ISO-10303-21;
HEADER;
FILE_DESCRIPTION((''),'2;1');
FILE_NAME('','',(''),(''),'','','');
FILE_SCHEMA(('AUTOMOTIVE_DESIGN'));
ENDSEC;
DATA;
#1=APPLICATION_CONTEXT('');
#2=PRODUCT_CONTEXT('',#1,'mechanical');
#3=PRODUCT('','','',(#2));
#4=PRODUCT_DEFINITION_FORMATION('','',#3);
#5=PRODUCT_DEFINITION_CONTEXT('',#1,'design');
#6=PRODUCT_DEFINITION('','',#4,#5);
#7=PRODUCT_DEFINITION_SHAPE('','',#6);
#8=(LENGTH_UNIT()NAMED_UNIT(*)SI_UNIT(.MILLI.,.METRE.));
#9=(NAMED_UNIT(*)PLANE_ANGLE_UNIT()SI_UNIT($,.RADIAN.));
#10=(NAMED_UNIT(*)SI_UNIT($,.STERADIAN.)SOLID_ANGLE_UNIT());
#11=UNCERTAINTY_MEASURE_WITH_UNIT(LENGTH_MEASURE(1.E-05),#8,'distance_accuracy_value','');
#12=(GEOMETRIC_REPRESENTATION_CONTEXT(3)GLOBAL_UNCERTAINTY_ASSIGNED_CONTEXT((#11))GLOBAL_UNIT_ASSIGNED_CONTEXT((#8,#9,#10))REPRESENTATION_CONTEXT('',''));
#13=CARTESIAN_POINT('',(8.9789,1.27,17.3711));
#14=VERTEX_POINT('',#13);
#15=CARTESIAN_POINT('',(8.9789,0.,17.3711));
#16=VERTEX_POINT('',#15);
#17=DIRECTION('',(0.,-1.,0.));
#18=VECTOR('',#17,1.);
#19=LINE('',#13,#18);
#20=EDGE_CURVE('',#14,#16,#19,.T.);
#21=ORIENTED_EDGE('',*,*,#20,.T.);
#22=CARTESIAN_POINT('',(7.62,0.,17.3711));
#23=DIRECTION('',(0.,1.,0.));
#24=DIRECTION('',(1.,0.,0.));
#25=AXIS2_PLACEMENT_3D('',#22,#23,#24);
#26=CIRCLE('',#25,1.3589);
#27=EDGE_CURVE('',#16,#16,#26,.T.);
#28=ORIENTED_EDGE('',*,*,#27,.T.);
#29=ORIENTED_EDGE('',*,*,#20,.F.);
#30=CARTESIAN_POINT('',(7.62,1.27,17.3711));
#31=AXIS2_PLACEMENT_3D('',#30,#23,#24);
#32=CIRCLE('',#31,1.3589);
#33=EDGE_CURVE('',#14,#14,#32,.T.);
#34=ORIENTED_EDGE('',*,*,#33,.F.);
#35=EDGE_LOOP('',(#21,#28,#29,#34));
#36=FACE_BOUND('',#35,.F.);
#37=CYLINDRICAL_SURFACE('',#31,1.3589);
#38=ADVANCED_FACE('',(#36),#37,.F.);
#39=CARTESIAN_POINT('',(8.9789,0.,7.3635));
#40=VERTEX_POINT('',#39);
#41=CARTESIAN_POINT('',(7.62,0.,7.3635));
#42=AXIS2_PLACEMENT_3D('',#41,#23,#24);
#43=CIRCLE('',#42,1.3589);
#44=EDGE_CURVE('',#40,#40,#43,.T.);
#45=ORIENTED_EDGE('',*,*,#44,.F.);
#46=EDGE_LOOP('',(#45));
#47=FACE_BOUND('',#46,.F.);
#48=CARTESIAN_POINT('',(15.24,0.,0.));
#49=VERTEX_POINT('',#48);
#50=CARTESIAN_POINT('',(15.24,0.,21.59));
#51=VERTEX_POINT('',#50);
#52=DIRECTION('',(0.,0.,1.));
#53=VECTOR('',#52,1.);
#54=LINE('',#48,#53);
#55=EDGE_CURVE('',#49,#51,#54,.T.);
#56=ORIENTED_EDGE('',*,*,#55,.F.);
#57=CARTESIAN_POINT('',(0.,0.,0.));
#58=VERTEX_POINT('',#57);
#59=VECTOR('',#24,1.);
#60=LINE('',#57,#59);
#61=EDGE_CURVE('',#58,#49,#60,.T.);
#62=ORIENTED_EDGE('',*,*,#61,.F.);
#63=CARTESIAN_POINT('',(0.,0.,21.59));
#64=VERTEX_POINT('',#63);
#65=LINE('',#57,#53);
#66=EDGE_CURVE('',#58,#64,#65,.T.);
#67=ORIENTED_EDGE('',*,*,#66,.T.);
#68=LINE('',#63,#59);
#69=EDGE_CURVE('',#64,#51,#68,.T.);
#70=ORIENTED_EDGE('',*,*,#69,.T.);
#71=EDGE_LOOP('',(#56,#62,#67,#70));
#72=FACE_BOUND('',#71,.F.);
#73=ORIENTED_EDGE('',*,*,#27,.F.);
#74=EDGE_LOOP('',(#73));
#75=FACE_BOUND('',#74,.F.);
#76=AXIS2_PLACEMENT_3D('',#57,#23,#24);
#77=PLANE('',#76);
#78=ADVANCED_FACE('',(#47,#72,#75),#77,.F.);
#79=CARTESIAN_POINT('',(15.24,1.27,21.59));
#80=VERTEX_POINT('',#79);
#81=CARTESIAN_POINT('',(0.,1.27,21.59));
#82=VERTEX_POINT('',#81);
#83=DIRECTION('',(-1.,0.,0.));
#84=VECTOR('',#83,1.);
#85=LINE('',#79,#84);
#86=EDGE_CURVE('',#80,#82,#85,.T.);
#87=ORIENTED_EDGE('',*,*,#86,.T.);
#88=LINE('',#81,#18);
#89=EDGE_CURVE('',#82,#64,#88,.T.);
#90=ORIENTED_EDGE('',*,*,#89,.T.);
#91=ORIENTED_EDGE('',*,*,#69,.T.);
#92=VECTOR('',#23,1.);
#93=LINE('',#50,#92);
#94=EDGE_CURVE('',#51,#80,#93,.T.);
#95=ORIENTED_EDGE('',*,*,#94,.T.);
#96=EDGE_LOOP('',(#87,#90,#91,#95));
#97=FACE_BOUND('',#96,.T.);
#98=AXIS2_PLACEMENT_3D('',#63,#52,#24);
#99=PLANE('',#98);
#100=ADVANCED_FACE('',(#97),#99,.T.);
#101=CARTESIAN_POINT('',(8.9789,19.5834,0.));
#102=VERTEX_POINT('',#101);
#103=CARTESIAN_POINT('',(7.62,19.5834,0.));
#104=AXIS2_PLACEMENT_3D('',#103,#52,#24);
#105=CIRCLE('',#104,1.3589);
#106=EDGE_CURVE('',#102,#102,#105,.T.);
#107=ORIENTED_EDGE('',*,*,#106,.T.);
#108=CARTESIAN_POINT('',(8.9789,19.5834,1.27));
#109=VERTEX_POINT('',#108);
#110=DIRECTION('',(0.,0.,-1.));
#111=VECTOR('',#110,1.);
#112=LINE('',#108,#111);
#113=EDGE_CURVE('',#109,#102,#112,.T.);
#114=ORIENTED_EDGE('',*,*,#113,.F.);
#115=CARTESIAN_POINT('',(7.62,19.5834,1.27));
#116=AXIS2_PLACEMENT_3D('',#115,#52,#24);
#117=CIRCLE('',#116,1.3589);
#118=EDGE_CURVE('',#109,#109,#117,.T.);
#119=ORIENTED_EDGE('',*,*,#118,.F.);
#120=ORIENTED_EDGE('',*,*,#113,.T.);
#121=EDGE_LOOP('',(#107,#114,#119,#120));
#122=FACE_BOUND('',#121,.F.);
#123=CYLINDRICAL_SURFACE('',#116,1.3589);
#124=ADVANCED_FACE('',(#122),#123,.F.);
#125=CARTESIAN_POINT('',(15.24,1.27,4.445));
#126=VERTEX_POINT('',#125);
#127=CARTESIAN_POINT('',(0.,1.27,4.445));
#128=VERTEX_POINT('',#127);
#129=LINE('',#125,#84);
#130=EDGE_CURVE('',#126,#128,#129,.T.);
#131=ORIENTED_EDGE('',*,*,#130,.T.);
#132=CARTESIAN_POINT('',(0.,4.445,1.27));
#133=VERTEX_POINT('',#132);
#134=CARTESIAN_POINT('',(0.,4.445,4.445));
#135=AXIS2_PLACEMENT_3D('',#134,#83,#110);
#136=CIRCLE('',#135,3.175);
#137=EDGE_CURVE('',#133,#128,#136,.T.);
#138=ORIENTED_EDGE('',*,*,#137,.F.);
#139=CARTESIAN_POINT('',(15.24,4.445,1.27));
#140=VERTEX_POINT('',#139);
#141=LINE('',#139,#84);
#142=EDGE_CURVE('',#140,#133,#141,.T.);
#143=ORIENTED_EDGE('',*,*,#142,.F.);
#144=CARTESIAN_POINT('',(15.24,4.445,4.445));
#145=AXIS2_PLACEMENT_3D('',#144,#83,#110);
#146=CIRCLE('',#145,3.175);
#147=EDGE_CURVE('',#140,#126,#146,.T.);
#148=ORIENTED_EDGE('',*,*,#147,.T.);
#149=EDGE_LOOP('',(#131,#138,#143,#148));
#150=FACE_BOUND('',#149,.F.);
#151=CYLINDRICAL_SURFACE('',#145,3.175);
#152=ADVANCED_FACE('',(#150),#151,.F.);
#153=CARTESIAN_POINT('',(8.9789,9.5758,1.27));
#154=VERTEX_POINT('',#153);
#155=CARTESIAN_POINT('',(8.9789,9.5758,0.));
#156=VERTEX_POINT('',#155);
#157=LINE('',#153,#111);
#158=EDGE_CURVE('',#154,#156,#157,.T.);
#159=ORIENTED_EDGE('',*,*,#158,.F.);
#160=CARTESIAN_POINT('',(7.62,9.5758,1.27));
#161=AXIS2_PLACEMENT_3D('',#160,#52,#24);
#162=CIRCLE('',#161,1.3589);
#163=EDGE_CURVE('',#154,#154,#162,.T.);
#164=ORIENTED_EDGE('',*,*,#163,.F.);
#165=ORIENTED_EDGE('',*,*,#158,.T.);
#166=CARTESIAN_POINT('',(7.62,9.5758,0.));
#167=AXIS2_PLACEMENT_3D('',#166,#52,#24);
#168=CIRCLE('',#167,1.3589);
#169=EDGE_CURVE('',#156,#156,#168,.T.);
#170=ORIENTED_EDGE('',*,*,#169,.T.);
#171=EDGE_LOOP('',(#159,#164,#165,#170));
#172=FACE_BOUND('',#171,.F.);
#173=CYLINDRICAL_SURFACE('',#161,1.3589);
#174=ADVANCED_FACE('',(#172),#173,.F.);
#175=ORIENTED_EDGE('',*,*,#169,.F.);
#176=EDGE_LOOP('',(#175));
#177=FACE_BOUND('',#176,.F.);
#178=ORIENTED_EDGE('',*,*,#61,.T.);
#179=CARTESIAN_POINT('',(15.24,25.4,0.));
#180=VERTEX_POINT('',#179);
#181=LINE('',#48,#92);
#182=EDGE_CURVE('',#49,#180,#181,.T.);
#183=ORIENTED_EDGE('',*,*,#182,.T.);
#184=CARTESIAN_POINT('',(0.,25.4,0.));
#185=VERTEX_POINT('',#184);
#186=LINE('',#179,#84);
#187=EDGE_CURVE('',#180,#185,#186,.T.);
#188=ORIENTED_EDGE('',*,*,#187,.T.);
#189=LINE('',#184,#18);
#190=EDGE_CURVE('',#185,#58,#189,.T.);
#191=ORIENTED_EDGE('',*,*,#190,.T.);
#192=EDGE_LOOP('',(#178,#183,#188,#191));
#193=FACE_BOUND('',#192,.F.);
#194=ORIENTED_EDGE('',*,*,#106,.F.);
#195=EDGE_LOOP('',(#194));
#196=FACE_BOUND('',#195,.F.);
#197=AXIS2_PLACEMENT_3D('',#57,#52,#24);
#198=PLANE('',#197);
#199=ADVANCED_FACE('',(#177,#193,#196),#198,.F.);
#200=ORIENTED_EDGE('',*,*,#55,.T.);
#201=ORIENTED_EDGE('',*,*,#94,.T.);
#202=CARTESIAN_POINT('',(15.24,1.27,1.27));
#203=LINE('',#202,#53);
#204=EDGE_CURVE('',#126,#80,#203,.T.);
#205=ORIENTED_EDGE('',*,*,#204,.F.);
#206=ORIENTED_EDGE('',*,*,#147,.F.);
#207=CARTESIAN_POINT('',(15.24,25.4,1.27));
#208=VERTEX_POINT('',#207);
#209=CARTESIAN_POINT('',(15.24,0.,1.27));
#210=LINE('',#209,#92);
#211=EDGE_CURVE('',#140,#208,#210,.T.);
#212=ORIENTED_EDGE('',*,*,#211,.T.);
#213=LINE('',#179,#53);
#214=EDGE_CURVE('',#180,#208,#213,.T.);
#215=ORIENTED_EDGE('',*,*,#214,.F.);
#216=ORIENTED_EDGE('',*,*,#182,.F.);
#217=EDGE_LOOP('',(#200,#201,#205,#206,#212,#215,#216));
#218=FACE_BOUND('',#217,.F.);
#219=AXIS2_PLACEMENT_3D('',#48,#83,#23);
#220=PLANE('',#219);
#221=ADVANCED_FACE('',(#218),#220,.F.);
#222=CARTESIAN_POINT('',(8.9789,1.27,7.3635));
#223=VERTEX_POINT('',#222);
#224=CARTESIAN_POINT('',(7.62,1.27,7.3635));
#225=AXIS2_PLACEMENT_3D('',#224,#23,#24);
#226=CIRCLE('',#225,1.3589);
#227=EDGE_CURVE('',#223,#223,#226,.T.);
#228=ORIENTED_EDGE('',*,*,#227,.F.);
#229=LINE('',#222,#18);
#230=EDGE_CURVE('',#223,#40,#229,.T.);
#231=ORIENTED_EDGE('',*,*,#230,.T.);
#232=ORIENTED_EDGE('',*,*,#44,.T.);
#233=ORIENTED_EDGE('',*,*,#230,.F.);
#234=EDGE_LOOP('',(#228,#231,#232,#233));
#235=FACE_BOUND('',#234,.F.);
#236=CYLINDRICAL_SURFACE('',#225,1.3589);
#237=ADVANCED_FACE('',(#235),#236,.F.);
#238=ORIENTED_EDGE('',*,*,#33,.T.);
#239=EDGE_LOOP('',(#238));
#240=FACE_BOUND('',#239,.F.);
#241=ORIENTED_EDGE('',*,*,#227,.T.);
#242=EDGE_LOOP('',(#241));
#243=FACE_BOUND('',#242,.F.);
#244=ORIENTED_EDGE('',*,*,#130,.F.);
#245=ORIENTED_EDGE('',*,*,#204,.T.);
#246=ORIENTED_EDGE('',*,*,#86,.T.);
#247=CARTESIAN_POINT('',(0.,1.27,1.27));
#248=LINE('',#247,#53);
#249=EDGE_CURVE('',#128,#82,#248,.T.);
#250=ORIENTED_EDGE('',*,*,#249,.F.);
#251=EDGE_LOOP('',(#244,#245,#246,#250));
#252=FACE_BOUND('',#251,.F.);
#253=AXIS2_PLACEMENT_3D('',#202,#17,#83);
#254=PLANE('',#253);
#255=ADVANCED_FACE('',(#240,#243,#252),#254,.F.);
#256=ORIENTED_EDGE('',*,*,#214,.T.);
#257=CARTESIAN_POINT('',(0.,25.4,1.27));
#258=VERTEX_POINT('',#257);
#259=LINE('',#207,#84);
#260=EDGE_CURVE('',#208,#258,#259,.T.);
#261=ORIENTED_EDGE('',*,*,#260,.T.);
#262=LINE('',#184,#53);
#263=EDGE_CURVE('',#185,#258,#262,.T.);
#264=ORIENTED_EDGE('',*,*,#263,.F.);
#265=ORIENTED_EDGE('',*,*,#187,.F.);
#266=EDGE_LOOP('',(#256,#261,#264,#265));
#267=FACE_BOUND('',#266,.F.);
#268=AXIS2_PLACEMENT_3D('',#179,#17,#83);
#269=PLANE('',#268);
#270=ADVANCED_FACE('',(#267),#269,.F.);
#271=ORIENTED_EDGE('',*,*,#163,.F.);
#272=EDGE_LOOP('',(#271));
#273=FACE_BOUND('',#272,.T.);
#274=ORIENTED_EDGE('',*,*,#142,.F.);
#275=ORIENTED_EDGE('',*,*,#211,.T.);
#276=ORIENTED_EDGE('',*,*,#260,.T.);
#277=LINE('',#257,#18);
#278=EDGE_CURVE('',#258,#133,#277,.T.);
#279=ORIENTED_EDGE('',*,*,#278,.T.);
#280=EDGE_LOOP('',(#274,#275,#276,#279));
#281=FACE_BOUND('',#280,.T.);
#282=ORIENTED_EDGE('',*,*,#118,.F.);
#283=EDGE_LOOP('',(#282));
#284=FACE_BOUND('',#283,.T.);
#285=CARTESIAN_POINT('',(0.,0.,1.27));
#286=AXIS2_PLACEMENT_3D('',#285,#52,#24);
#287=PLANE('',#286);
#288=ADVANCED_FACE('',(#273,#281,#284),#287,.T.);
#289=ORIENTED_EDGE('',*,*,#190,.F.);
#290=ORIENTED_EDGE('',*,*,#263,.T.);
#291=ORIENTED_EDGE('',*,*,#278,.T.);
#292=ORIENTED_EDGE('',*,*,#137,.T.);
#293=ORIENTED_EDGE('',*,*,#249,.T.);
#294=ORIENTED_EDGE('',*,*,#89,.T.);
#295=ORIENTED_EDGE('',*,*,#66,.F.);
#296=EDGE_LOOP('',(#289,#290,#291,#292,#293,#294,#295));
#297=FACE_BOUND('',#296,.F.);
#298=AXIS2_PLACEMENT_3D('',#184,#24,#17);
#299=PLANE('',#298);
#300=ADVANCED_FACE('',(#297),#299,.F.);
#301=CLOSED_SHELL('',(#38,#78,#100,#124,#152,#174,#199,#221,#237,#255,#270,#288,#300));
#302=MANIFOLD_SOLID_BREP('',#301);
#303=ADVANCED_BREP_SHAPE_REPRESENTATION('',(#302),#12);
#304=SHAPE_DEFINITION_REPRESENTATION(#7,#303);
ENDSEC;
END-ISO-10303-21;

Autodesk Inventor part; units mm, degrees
ref_plane "YZ Plane" through (0, 0, 0) normal (1, 0, 0) x (0, 1, 0)
ref_plane "XZ Plane" through (0, 0, 0) normal (0, 1, 0) x (-1, 0, 0)
ref_plane "XY Plane" through (0, 0, 0) normal (0, 0, 1) x (1, 0, 0)
sketch "Sketch1" plane through (0, 0, 0) normal (0, 0, 1) x (1, 0, 0)
  line L0 (0, 0) -> (15.24, 0)
  line L1 (15.24, 0) -> (15.24, 25.4)
  line L2 (15.24, 25.4) -> (0, 25.4)
  line L3 (0, 25.4) -> (0, 0)
  dimension "d0" = 25.4
  dimension "d1" = 15.24
extrude "Extrusion1" add sketch "Sketch1" along normal blind 1.27
sketch "Sketch2" plane through (0, 0, 1.27) normal (0, 0, 1) x (1, 0, 0)
  line L0 (15.24, 0) -> (15.24, 25.4) projected
  line L1 (0, 0) -> (15.24, 0)
  line L2 (15.24, 0) -> (15.24, 1.27)
  line L3 (15.24, 1.27) -> (0, 1.27)
  line L4 (0, 1.27) -> (0, 0)
  dimension "d4" = 1.27
extrude "Extrusion2" add sketch "Sketch2" along normal blind 20.32
sketch "Sketch3" plane through (0, 0, 1.27) normal (0, 0, 1) x (1, 0, 0)
  circle A0 centre (7.62, 19.5834) radius 1.3589
  circle A1 centre (7.62, 9.5758) radius 1.3589
  line L0 (15.24, 1.27) -> (15.24, 25.4) projected
  line L1 (0, 0) -> (15.24, 0) projected
  dimension "d7" = 2.7178
  dimension "d8" = 2.7178
  dimension "d9" = 7.62
  dimension "d10" = 7.62
  dimension "d11" = 10.0076
  dimension "d12" = 9.5758
extrude "Extrusion3" cut sketch "Sketch3" against normal blind 25.4
sketch "Sketch4" plane through (0, 1.27, 26.67) normal (0, 1, 0) x (1, 0, 0)
  circle A0 centre (7.62, 19.3065) radius 1.3589
  circle A1 centre (7.62, 9.2989) radius 1.3589
  line L0 (20.32, 1.27) -> (20.32, 25.4)
  line L1 (0, 0) -> (20.32, 0)
  line L2 (15.24, 25.4) -> (15.24, 5.08) projected
  dimension "d19" = 2.7178
  dimension "d15" = 2.7178
  dimension "d17" = 10.0076
  dimension "d25" = 7.62
  dimension "d26" = 7.62
extrude "Extrusion4" cut sketch "Sketch4" against normal blind 25.4
fillet "Fillet1" radius 3.175 1 edges at (7.62, 1.27, 1.27)
properties part number "Triangle connector"
